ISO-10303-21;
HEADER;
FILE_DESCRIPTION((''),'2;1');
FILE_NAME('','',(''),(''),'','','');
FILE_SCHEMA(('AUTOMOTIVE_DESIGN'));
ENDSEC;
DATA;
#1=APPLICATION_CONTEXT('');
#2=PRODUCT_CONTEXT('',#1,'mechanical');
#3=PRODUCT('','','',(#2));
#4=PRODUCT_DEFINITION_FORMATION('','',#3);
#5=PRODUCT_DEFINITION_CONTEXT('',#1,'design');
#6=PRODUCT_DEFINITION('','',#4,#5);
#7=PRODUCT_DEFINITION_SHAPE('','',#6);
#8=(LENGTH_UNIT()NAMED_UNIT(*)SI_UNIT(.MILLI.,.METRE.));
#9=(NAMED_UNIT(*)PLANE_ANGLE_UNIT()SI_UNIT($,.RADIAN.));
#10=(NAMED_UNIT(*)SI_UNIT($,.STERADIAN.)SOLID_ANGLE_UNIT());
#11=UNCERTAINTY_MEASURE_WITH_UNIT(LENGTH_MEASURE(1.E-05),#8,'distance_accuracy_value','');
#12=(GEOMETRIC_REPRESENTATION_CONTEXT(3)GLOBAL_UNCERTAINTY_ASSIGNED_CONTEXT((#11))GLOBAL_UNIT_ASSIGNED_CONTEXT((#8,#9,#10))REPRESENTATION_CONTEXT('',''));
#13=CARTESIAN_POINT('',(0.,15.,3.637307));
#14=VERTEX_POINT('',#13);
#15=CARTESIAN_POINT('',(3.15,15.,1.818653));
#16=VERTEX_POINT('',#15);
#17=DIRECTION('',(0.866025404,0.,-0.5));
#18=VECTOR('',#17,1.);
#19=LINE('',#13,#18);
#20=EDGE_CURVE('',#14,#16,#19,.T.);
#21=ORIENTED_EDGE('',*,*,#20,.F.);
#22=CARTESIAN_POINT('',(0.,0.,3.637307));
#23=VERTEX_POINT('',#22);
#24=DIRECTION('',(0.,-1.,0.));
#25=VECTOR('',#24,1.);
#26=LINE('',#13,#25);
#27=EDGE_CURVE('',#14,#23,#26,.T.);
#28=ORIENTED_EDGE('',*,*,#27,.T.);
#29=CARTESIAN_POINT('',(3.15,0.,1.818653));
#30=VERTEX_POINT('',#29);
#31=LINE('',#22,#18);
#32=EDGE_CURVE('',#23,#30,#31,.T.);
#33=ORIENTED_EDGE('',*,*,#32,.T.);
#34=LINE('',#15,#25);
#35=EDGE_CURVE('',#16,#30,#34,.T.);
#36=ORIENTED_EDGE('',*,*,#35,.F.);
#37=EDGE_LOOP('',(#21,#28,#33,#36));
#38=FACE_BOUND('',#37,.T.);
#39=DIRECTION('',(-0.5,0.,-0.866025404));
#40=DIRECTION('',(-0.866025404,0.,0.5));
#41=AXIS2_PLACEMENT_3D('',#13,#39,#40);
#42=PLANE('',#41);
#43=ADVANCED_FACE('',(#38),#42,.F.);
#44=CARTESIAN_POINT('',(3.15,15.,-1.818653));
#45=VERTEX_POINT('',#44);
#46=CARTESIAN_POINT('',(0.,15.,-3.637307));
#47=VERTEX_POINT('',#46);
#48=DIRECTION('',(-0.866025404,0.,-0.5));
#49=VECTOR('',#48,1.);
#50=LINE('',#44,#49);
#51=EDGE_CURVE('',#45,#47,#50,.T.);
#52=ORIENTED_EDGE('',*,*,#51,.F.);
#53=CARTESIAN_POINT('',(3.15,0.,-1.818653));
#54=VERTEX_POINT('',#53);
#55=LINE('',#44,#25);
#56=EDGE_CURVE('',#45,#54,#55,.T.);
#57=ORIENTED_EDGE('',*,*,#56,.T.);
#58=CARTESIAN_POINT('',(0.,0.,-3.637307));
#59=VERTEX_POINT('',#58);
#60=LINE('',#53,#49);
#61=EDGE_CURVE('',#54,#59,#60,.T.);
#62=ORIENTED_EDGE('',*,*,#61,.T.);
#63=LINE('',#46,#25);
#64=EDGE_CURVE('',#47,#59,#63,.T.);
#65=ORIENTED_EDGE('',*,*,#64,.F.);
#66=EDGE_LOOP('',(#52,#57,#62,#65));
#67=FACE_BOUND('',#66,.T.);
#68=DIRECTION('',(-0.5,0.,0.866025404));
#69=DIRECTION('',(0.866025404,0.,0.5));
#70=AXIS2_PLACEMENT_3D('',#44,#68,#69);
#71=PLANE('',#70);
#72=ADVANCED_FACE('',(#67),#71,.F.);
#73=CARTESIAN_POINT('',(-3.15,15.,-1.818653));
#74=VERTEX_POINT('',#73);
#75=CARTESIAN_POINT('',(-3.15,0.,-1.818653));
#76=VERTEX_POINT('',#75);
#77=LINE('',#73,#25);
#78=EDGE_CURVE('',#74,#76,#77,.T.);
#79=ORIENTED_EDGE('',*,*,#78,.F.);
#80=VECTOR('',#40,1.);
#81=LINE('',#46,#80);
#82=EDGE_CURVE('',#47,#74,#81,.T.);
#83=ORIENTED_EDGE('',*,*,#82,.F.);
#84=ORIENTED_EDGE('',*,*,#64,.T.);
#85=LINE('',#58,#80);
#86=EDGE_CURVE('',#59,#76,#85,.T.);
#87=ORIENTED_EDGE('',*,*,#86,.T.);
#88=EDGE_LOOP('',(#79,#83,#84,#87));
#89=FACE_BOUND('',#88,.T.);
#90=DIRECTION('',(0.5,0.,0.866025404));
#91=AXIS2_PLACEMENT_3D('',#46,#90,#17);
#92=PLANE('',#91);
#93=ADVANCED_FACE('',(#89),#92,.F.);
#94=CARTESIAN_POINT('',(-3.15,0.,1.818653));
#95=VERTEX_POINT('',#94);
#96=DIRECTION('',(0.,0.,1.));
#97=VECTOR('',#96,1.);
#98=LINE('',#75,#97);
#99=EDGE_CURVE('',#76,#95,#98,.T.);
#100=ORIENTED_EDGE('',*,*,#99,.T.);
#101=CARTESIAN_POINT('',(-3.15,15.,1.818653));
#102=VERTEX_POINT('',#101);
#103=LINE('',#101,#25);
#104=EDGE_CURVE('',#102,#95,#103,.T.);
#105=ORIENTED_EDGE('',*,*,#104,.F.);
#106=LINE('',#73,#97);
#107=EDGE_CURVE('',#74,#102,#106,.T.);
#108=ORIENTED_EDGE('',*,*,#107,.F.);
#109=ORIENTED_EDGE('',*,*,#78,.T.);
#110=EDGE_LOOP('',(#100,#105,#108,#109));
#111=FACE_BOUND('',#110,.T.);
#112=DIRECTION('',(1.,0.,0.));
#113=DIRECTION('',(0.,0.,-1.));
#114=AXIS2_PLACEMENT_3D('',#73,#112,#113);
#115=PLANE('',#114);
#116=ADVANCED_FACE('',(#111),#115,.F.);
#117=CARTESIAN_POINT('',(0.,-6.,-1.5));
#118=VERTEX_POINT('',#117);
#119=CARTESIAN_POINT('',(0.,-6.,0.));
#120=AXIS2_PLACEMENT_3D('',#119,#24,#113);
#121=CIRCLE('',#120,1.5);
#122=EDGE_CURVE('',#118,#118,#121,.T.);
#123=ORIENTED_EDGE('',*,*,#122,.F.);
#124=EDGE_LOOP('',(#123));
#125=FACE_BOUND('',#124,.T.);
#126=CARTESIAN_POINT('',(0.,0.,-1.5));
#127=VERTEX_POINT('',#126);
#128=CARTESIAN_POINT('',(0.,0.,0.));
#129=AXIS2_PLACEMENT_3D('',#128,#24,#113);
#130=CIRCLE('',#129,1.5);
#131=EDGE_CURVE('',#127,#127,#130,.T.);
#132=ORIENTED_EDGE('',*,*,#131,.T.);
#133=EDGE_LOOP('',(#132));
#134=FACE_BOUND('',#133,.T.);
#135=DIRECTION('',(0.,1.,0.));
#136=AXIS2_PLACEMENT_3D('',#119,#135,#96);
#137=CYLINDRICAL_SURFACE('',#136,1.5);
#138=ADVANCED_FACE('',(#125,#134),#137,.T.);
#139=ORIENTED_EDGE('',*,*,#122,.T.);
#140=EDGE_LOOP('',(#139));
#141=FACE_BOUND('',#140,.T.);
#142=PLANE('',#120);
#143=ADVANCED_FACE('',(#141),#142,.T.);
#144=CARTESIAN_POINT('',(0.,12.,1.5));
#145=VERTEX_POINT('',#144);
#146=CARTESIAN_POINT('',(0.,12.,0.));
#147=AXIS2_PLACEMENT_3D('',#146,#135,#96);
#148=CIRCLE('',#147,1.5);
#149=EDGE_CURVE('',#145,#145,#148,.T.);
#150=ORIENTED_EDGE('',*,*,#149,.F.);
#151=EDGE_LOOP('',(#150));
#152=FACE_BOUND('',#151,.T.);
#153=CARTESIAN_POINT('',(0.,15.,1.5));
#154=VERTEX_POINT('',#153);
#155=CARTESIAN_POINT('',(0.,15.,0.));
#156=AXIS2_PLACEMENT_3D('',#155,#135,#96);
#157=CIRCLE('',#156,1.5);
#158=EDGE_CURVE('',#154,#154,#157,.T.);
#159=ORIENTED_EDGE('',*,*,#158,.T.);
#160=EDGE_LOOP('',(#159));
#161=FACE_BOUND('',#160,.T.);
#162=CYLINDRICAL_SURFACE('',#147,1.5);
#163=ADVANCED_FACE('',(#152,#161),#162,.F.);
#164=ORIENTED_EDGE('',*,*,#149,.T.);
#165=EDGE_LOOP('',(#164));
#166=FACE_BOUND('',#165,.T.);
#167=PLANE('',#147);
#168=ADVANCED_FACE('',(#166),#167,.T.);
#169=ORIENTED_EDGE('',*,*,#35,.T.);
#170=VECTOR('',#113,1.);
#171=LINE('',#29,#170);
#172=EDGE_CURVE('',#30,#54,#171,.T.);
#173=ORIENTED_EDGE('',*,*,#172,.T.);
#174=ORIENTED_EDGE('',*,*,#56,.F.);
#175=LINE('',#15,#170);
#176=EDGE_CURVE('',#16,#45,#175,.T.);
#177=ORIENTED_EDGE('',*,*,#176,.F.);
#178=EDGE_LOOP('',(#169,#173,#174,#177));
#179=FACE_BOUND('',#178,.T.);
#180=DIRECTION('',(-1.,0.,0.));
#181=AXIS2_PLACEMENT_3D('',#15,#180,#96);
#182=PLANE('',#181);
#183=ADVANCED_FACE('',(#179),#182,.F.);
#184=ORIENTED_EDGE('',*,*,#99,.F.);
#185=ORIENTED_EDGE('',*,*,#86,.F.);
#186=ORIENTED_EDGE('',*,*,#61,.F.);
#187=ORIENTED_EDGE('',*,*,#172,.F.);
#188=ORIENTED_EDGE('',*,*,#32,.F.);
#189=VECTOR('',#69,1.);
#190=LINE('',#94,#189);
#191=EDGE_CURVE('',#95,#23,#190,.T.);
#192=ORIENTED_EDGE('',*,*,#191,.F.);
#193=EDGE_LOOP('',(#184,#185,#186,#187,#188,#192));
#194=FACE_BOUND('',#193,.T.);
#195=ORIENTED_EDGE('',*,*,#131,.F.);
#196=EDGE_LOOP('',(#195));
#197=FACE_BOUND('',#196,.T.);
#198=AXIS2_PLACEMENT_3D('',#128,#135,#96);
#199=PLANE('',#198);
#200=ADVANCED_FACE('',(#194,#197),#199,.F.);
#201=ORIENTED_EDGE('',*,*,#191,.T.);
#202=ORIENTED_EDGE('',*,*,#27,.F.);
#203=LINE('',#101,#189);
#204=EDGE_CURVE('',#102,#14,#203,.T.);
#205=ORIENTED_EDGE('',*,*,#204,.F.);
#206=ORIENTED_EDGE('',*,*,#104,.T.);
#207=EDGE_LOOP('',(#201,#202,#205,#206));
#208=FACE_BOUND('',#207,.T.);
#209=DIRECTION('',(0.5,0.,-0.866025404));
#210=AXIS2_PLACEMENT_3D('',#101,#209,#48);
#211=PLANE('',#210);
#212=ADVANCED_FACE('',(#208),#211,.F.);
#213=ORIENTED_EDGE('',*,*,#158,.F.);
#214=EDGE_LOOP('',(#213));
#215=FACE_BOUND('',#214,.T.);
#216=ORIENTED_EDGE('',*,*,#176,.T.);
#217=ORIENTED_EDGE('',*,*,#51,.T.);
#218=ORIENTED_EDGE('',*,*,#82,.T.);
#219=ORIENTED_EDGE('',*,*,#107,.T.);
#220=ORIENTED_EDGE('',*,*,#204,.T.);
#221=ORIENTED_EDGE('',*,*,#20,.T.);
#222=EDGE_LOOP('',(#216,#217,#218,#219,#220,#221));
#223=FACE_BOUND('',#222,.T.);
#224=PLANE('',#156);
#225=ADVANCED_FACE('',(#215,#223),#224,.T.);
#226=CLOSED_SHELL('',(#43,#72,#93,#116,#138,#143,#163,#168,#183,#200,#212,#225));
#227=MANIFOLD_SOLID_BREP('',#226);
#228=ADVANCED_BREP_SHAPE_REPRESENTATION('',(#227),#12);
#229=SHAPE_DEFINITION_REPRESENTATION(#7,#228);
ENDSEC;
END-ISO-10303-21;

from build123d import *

# Parameters (mm, degrees)
BOSS_EXTRUDE1_DEPTH = 15
SKETCH2_R           = 1.5
BOSS_EXTRUDE2_DEPTH = 6
SKETCH3_R           = 1.5
CUT_EXTRUDE1_DEPTH  = 3


with BuildPart() as part:
    # Sketch1 → Boss-Extrude1 (new body)
    with BuildSketch(Plane(origin=(0, 0, 0), x_dir=(1, 0, 0), z_dir=(0, 1, 0))):
        Polygon((0, 3.637306696), (-3.15, 1.818653348), (-3.15, -1.818653348), (0, -3.637306696), (3.15, -1.818653348), (3.15, 1.818653348), align=None)
    extrude(amount=BOSS_EXTRUDE1_DEPTH)

    # Sketch2 → Boss-Extrude2 (add)
    with BuildSketch(Plane.XZ):
        with Locations(Location((0, 0, 0), (0, 0, 270))):
            Circle(SKETCH2_R)
    extrude(amount=BOSS_EXTRUDE2_DEPTH)

    # Sketch3 → Cut-Extrude1 (cut)
    with BuildSketch(Plane(origin=(0, 15, 0), x_dir=(1, 0, 0), z_dir=(0, 1, 0))):
        with Locations(Location((0, 0, 0), (0, 0, 90))):
            Circle(SKETCH3_R)
    extrude(amount=-CUT_EXTRUDE1_DEPTH, mode=Mode.SUBTRACT)


solid = part.part
